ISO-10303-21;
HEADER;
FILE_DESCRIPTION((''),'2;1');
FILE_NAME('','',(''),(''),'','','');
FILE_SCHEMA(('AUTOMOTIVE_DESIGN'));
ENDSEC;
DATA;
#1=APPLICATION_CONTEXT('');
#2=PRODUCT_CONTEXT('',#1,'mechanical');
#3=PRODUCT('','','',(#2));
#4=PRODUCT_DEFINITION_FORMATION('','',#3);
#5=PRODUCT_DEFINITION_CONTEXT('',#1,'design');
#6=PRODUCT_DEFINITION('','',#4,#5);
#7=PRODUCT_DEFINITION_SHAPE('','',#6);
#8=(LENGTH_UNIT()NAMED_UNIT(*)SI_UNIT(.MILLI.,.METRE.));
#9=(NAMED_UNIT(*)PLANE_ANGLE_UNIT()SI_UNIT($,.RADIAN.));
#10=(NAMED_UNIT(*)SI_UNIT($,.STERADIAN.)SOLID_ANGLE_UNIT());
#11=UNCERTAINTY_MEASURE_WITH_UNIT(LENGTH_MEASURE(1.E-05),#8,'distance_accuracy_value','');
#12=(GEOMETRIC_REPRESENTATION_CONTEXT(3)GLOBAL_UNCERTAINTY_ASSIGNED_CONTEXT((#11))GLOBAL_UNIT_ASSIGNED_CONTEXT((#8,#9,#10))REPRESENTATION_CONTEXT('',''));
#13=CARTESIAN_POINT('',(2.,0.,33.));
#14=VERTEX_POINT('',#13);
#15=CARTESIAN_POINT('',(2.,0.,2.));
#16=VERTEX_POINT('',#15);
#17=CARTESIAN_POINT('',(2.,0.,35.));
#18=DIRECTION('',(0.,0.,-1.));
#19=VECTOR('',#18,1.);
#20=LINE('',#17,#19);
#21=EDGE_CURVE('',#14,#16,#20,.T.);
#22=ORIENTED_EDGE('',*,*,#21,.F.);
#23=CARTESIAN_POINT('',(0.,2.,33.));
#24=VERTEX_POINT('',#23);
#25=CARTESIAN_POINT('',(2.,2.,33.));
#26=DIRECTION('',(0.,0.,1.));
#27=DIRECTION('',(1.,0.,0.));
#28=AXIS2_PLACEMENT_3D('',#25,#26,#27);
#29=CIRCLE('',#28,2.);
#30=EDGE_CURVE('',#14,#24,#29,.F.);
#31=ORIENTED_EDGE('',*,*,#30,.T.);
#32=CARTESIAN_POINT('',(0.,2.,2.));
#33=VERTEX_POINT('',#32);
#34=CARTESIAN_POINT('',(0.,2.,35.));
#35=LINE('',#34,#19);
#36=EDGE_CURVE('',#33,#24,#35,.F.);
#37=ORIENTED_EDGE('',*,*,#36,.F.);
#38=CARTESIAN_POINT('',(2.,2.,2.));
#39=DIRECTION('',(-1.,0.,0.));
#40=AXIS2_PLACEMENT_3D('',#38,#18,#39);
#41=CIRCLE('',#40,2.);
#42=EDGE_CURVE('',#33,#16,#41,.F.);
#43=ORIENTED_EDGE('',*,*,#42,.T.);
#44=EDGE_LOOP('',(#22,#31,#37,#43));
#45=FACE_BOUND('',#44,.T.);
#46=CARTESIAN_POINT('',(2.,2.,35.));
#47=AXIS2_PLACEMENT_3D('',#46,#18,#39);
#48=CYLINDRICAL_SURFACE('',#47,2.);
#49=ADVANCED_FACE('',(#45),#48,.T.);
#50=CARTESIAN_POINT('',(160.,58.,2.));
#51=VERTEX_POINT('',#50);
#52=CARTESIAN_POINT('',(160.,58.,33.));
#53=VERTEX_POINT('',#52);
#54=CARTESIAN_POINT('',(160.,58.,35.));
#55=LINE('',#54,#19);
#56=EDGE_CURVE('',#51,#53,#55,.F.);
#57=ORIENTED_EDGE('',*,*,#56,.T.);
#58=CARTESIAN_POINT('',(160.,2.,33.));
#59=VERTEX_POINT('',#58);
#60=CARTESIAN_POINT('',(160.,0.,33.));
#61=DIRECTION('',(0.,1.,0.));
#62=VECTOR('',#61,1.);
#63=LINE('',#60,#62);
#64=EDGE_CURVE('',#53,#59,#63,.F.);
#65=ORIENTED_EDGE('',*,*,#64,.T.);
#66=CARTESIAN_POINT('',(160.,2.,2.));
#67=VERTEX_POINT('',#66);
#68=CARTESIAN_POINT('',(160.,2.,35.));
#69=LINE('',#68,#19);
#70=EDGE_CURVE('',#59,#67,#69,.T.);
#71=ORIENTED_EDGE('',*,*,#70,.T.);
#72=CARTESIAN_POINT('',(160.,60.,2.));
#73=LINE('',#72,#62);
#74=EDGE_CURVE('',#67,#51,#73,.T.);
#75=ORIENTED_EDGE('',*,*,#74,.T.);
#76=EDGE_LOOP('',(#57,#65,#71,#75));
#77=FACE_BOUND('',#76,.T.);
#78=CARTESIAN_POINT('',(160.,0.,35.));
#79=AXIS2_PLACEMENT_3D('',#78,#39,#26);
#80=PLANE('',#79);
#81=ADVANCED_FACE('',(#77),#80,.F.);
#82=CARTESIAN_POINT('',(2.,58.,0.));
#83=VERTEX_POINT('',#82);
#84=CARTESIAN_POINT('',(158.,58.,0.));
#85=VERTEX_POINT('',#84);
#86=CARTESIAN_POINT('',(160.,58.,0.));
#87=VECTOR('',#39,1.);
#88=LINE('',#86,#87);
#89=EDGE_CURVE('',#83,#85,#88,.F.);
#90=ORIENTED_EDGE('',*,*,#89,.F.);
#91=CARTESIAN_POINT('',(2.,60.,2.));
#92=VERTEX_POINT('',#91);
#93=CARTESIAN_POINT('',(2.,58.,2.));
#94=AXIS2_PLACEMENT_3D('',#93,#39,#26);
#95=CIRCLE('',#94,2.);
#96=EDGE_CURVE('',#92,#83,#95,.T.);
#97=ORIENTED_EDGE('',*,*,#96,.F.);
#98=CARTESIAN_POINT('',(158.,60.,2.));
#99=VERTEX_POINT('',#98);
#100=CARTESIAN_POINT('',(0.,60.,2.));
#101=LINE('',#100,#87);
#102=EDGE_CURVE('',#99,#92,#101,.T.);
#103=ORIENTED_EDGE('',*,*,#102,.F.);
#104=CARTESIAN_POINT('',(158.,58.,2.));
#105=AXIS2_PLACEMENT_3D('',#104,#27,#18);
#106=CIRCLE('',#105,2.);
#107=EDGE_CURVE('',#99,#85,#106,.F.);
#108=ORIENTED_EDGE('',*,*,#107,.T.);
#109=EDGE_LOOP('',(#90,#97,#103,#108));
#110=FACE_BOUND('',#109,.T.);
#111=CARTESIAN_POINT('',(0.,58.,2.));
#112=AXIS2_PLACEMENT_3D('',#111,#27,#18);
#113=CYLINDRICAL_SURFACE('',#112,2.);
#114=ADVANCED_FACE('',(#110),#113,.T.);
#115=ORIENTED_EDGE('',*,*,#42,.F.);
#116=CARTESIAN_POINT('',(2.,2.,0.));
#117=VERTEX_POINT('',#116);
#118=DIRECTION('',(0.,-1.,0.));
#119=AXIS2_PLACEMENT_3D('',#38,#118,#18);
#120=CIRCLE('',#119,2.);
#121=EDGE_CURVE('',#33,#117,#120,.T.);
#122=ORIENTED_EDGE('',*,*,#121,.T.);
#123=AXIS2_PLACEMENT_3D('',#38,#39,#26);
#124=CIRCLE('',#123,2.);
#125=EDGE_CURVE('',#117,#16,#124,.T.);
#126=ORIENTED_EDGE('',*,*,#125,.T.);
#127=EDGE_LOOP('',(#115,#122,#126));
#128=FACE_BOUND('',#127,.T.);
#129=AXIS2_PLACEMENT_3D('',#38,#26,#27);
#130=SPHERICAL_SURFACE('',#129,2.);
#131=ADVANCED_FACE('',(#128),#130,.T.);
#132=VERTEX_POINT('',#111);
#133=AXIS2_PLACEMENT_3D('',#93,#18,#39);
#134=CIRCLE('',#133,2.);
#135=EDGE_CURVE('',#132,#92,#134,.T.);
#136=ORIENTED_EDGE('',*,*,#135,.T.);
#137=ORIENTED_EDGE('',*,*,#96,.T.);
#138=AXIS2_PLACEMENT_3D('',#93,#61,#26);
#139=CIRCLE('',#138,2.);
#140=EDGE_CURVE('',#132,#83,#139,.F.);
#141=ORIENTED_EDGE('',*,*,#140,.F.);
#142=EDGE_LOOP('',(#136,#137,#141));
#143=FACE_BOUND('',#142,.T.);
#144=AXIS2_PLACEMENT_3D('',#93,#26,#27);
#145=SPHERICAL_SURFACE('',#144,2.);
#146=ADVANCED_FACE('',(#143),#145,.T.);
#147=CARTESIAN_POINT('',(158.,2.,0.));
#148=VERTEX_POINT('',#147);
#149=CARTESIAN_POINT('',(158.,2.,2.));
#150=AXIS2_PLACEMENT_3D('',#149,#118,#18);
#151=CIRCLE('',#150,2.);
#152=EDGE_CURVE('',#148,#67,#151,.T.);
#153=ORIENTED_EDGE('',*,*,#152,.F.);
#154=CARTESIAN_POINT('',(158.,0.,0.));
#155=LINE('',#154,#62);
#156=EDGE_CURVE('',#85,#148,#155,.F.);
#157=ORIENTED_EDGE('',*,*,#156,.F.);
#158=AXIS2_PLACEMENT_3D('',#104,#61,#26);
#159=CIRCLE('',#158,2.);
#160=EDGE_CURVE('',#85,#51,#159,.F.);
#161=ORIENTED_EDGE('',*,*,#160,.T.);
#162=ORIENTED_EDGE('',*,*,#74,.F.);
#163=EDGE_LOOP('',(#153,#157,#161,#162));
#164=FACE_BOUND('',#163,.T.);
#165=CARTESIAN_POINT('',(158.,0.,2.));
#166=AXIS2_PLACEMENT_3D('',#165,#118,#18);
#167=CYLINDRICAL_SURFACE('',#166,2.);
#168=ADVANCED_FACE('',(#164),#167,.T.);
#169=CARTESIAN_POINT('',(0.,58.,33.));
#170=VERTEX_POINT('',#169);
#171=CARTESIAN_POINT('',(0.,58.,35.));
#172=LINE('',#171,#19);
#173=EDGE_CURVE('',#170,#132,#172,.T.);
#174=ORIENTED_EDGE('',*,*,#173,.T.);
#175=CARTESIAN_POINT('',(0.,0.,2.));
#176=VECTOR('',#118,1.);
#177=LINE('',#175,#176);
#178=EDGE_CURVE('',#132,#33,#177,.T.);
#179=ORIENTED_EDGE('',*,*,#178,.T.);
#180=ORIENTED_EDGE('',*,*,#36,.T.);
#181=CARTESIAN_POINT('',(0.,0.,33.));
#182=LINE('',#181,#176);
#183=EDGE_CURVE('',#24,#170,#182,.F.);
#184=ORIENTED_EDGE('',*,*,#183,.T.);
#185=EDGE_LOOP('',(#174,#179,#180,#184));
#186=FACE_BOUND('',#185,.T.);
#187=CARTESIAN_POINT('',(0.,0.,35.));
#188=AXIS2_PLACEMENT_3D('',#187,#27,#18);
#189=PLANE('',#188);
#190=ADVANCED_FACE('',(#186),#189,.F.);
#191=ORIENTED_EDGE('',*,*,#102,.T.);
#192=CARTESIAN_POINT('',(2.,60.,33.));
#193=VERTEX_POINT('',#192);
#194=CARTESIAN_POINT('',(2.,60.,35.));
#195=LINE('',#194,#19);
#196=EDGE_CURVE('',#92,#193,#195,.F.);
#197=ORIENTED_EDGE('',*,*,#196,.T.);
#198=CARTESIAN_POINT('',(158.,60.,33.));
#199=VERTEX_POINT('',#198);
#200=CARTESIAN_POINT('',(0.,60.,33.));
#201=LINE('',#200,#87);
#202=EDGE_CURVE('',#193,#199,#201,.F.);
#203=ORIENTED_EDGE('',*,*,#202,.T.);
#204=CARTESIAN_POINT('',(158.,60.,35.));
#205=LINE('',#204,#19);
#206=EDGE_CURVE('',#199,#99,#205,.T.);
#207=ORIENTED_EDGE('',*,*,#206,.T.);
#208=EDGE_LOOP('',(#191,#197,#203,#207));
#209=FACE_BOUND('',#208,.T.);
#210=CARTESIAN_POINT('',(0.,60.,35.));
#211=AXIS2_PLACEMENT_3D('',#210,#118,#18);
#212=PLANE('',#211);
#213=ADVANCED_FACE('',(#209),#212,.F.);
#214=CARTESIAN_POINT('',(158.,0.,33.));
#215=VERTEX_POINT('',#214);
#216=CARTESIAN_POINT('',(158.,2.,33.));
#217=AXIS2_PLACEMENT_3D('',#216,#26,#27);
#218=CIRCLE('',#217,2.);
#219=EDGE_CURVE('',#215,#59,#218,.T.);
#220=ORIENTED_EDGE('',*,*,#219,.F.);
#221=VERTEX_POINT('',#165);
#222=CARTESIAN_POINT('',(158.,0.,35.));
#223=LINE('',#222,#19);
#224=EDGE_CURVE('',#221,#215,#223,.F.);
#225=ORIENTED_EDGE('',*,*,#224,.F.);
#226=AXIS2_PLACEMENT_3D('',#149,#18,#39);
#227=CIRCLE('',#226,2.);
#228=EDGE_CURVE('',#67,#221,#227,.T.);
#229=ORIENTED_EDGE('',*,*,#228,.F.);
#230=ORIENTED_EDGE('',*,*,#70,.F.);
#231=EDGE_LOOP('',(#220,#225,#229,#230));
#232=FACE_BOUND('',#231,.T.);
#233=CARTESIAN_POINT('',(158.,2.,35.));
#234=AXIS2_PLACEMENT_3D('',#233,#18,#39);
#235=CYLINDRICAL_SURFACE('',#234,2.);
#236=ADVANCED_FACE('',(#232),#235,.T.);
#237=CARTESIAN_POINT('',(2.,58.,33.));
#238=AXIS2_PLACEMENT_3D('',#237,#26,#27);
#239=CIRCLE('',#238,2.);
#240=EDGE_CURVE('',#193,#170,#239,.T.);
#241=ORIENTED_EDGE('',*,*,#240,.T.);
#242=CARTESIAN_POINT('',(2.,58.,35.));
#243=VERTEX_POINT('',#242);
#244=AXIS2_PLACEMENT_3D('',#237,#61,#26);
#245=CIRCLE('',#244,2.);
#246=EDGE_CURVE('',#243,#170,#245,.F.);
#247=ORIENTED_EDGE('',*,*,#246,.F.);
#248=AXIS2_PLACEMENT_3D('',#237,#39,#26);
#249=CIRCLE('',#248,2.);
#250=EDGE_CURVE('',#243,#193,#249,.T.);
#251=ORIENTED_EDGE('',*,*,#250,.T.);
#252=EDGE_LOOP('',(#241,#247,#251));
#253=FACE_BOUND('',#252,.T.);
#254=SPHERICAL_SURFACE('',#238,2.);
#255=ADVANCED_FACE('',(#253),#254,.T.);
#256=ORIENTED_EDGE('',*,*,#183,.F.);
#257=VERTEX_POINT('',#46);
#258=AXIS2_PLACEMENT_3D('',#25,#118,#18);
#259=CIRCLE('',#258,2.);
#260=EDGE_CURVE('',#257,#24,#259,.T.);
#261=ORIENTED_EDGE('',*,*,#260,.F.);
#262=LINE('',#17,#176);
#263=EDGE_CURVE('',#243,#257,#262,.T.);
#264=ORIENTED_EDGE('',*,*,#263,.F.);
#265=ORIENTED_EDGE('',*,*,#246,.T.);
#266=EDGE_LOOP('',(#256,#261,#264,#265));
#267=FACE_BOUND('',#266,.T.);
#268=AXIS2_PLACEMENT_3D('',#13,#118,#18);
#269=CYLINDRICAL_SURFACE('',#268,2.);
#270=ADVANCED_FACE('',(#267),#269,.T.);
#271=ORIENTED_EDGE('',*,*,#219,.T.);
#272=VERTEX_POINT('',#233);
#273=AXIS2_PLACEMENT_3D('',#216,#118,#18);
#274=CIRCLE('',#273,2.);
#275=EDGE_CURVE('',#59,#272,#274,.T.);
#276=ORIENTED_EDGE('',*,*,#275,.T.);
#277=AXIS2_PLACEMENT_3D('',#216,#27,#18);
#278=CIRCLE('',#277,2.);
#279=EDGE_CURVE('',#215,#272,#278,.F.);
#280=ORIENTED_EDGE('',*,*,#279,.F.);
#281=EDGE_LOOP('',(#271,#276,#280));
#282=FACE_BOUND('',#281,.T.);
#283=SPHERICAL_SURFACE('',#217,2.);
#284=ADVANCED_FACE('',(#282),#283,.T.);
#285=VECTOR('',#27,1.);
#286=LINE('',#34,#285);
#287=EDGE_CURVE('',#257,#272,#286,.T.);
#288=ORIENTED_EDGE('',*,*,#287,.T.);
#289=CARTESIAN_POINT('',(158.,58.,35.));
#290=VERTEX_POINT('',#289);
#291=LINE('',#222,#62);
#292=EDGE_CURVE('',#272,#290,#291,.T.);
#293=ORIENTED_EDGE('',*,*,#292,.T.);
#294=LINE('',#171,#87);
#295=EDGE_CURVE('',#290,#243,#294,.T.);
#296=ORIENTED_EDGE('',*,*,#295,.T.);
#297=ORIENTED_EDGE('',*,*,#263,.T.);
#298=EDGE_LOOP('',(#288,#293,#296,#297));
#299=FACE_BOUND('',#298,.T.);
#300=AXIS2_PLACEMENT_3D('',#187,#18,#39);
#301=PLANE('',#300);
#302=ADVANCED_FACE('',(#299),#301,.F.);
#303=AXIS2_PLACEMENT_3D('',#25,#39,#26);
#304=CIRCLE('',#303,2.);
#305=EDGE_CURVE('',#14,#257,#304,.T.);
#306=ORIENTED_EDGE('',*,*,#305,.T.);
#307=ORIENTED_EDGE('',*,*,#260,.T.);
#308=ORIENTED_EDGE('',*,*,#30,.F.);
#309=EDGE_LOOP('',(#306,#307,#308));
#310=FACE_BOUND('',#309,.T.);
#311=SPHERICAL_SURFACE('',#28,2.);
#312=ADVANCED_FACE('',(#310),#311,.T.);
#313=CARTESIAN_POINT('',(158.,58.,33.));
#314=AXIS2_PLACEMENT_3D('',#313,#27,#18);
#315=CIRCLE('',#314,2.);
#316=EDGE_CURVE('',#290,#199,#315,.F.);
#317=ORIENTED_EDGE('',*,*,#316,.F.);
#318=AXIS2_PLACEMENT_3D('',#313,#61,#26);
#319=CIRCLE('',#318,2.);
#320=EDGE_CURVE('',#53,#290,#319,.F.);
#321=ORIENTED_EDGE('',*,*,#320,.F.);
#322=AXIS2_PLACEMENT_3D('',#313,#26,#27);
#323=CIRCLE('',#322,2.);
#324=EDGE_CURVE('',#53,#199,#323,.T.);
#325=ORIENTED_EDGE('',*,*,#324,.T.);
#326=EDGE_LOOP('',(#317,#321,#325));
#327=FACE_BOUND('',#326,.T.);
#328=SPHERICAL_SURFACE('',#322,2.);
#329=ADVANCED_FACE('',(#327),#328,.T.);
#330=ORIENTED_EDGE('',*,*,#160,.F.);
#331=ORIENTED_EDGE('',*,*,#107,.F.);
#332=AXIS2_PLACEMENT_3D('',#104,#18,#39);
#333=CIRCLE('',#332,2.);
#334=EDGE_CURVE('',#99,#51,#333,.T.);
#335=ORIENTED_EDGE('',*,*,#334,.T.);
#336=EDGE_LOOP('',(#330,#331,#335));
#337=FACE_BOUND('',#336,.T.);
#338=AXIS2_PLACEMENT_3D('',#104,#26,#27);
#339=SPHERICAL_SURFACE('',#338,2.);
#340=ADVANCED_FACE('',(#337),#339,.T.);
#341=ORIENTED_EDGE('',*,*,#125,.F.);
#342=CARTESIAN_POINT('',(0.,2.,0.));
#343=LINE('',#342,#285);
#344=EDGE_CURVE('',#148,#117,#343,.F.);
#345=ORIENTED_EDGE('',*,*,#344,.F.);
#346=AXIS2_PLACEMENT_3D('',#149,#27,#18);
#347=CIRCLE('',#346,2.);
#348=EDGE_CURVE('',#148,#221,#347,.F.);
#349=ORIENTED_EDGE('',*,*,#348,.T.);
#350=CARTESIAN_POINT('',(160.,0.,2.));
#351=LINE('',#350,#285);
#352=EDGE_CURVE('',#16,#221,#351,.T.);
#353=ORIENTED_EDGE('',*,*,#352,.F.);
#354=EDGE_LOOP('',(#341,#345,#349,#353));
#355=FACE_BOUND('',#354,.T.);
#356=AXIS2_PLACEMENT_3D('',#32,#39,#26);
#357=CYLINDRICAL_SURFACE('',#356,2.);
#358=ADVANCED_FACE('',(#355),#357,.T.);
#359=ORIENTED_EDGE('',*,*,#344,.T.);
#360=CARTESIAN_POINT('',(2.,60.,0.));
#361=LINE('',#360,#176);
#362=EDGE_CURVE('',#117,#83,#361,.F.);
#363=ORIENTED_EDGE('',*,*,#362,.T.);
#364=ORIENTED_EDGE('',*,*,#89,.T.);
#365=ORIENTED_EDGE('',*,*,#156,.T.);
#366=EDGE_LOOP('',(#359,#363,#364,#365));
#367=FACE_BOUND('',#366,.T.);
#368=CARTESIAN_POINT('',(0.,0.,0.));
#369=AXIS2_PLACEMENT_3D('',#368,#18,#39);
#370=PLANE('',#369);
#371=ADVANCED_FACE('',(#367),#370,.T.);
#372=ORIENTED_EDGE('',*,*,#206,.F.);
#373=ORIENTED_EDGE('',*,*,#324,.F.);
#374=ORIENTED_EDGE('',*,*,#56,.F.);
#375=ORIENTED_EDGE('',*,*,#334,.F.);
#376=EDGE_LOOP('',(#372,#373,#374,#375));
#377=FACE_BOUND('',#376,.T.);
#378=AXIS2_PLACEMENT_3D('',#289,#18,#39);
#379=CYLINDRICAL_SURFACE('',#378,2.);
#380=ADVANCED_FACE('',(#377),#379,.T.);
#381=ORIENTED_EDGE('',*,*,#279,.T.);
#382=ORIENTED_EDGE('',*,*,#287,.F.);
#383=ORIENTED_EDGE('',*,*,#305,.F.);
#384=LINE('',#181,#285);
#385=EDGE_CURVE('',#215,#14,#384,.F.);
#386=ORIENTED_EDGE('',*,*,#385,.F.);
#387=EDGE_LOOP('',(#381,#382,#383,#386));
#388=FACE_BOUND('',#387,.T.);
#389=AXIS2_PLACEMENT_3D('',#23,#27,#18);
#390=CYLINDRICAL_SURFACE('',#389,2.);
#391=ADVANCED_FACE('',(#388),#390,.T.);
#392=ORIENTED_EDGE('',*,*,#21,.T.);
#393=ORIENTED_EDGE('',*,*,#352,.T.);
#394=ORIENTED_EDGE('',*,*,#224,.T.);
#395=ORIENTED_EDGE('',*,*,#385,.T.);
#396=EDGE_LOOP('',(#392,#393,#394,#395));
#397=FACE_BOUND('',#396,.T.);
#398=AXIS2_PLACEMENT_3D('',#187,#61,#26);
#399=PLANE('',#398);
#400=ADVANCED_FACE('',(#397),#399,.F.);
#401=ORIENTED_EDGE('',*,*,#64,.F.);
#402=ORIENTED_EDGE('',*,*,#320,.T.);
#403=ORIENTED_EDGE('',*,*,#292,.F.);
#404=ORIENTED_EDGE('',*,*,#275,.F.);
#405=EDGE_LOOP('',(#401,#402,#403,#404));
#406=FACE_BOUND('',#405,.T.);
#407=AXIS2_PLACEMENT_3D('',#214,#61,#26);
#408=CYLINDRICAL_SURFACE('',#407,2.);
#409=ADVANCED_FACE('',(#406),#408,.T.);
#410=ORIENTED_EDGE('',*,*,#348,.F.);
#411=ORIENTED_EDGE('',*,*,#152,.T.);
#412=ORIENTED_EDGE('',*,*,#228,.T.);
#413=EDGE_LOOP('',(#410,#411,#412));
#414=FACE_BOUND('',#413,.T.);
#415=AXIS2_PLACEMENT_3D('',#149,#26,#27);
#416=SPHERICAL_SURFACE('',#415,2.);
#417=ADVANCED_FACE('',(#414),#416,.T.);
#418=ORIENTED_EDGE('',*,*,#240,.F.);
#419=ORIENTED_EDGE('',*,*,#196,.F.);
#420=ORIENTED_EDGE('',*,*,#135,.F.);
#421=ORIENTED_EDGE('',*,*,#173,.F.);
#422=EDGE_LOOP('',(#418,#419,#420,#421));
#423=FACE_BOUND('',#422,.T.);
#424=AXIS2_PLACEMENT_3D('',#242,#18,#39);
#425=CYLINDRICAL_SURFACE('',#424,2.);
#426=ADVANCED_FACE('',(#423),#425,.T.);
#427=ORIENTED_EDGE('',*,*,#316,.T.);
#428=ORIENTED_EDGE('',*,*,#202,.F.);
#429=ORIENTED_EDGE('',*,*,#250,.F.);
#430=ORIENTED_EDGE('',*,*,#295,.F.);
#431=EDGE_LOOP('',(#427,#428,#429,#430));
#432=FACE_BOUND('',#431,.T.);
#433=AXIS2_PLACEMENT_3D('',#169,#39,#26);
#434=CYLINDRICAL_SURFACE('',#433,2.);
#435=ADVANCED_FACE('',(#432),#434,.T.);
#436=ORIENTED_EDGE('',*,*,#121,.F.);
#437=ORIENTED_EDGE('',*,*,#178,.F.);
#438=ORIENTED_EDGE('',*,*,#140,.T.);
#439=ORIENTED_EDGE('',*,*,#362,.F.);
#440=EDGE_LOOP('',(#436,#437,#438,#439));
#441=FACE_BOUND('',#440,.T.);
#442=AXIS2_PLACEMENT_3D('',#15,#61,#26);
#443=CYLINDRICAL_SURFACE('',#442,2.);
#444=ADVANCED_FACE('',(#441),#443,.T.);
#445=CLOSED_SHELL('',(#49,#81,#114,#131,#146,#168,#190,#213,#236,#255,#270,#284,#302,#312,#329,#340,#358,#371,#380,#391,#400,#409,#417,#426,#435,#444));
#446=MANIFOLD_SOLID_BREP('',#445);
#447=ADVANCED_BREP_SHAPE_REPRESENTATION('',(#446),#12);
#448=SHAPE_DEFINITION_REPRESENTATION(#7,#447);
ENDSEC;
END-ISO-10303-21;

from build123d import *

# Parameters (mm, degrees)
ESQUISSE1_W        = 160
ESQUISSE1_H        = 60
BOSS_EXTRU_1_DEPTH = 35
CONG_1_R           = 2


with BuildPart() as part:
    # Esquisse1 → Boss.-Extru.1 (new body)
    with BuildSketch(Plane.XY):
        with Locations((80, 30)):
            Rectangle(ESQUISSE1_W, ESQUISSE1_H)
    extrude(amount=BOSS_EXTRU_1_DEPTH)

    # Congé1
    cong_1_edges = [part.edges().sort_by_distance(p)[0] for p in [
        (160, 30, 35),
        (80, 60, 35),
        (0, 30, 35),
        (80, 60, 0),
        (160, 30, 0),
        (80, 0, 0),
        (0, 30, 0),
        (0, 60, 17.5),
        (160, 60, 17.5),
        (160, 0, 17.5),
        (0, 0, 17.5),
        (80, 0, 35),
    ]]
    fillet(cong_1_edges, radius=CONG_1_R)


solid = part.part
